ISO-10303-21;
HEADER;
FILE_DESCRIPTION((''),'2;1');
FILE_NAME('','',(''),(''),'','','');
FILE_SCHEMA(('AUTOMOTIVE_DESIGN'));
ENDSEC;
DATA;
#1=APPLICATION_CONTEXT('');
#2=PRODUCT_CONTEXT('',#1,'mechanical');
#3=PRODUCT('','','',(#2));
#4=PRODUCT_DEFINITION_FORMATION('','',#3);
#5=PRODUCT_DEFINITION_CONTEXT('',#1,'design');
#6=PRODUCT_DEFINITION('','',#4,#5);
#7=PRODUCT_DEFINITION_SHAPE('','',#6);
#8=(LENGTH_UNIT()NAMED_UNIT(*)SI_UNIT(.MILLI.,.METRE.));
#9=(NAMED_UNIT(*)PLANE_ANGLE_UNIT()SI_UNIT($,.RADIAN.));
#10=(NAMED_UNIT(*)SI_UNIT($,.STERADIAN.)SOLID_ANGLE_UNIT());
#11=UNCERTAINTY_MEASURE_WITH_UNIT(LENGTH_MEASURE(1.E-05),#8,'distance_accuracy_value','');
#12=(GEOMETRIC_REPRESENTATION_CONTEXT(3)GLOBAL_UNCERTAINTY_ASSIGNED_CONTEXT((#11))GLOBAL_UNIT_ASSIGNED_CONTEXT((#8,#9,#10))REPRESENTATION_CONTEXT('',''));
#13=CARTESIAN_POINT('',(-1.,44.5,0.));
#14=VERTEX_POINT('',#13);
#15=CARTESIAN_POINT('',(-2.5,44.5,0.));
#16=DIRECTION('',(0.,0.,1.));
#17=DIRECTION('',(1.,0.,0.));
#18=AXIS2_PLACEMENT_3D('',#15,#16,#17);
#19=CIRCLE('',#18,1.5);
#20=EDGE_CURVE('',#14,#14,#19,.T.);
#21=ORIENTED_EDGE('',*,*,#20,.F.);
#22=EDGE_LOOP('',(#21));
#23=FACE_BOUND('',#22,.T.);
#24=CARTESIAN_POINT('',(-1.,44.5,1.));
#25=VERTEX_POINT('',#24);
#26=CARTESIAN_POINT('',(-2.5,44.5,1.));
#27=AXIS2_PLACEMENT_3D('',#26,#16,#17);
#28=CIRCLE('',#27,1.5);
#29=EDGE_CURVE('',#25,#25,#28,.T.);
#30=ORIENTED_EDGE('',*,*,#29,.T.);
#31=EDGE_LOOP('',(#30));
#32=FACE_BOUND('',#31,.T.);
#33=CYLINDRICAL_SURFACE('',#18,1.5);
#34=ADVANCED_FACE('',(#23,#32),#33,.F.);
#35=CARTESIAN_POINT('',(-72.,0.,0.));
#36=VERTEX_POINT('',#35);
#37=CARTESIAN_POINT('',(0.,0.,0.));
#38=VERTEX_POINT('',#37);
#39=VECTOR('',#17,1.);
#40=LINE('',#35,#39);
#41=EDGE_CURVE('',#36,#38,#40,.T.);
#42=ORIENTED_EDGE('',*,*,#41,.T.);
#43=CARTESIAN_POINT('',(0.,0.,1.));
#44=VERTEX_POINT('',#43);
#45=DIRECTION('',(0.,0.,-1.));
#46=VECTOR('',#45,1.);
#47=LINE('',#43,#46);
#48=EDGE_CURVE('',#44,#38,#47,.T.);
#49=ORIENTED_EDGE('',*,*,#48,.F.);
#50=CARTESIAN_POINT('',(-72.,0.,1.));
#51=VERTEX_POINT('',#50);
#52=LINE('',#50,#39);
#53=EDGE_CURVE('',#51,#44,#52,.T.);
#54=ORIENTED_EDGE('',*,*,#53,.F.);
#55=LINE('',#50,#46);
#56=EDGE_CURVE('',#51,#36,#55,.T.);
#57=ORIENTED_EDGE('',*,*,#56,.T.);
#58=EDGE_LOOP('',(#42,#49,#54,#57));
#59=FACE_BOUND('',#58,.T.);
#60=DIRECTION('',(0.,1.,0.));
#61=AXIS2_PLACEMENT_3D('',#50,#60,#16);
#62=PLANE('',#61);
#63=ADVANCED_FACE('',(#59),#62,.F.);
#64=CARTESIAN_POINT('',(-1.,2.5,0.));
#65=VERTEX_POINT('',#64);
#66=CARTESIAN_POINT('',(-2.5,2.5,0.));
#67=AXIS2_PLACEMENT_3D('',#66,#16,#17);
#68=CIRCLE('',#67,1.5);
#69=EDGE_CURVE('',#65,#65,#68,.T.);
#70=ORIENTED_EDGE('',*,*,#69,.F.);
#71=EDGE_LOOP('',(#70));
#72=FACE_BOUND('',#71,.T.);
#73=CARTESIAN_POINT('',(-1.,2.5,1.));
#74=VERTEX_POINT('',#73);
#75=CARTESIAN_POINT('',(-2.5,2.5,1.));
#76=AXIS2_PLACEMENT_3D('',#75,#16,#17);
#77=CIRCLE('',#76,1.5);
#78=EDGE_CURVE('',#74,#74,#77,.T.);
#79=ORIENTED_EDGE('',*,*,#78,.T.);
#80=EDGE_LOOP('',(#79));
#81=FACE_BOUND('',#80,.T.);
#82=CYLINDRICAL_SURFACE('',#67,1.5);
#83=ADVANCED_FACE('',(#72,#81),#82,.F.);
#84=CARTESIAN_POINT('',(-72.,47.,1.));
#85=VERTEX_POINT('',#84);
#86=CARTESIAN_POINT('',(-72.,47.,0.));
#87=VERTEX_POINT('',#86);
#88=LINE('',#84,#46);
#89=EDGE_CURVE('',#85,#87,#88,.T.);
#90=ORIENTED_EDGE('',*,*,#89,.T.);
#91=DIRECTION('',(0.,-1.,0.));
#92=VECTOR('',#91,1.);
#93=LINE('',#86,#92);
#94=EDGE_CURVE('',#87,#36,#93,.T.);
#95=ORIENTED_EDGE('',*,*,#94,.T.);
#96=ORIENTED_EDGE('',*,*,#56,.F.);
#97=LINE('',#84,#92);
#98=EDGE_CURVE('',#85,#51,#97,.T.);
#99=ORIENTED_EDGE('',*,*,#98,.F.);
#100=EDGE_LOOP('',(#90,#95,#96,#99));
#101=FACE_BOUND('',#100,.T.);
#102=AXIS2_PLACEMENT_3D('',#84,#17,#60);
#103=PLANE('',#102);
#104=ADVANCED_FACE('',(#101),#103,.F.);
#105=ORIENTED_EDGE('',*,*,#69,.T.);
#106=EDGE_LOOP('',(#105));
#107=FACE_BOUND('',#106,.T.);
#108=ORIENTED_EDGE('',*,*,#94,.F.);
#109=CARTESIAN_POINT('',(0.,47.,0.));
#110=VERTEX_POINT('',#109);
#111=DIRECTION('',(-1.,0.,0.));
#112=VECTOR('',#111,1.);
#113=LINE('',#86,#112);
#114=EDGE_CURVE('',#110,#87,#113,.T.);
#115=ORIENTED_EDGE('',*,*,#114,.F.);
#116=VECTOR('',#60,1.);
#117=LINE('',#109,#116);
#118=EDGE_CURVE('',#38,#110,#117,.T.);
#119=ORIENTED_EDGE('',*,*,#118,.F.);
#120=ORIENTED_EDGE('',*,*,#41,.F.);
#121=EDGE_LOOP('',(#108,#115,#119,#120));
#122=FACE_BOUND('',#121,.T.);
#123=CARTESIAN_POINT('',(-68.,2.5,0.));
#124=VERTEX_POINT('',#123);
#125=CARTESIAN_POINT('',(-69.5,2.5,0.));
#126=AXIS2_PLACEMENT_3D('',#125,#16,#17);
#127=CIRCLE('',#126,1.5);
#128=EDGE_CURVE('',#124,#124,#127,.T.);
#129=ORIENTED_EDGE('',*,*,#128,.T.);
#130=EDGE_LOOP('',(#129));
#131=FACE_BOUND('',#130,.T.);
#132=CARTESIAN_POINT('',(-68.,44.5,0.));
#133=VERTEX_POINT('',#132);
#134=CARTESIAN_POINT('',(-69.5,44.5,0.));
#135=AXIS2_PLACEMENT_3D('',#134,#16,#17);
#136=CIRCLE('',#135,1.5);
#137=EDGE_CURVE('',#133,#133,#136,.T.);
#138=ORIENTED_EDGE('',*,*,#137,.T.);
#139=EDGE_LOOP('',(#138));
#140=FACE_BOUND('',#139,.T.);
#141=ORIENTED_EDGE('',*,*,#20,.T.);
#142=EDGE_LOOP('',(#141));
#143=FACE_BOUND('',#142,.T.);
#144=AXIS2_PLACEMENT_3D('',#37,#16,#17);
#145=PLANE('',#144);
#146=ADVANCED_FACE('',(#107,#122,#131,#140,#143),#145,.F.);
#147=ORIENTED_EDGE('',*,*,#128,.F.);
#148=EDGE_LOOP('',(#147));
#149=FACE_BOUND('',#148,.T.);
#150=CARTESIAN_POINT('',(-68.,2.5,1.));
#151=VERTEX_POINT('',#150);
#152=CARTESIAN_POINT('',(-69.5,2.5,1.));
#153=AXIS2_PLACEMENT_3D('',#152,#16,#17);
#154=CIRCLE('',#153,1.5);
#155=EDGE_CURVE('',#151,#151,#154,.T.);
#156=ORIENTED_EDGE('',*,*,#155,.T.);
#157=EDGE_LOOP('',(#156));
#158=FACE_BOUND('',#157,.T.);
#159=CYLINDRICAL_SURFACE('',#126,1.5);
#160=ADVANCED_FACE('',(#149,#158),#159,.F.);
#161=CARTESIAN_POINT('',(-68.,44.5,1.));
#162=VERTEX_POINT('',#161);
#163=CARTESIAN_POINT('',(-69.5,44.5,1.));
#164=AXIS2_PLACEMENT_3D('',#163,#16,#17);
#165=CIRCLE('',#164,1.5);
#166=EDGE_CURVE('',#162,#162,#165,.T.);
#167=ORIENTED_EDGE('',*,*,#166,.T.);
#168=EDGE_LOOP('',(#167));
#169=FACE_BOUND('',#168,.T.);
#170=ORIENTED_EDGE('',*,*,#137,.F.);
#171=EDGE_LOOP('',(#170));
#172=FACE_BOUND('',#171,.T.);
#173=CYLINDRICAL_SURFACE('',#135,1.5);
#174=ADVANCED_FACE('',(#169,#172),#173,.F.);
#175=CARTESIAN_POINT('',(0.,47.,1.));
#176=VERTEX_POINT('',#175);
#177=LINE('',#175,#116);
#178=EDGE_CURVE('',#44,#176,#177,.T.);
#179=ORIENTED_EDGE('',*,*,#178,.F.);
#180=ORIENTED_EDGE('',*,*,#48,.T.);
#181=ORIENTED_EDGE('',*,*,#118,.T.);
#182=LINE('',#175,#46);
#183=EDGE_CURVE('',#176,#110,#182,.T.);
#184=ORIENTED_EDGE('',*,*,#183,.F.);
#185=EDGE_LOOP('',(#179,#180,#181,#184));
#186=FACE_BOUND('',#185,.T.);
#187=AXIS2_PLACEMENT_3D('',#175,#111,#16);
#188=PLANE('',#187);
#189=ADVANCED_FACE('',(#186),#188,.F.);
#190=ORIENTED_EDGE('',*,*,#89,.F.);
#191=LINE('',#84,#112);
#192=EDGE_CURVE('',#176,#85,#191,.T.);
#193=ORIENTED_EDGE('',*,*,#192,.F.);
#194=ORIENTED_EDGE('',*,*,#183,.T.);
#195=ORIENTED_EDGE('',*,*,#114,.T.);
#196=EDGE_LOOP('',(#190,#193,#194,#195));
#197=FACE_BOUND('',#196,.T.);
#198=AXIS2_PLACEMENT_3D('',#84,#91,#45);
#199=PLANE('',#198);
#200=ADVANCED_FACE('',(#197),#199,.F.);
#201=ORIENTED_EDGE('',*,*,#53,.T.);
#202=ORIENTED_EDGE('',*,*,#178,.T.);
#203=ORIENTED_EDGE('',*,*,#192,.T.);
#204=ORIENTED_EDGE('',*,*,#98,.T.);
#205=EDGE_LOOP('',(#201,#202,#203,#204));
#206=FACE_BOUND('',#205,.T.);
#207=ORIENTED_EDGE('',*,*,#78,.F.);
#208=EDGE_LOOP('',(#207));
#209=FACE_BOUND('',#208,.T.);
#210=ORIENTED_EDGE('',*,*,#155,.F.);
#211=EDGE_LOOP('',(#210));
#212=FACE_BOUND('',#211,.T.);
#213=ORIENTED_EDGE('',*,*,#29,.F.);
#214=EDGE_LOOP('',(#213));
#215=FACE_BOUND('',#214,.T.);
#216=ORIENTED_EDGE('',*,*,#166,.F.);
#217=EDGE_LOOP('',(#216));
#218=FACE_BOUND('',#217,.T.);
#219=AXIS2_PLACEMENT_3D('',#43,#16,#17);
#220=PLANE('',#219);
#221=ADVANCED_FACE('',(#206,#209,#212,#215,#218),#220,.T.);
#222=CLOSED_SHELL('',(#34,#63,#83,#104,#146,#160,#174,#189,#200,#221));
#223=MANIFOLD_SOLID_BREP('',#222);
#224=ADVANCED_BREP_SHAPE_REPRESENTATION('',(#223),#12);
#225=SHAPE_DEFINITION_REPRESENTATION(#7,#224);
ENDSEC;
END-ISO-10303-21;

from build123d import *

# Parameters (mm, degrees)
SKETCH_1_W          = 72
SKETCH_1_H          = 47
EXTRUDE_1_DEPTH     = 1
SKETCH_2_R          = 1.5
CUT_EXTRUDE_1_DEPTH = 2


with BuildPart() as part:
    # ｽｹｯﾁ1 → ﾎﾞｽ - 押し出し1 (new body)
    with BuildSketch(Plane.XY):
        with Locations((-36, 23.5)):
            Rectangle(SKETCH_1_W, SKETCH_1_H)
    extrude(amount=EXTRUDE_1_DEPTH)

    # ｽｹｯﾁ2 → ｶｯﾄ - 押し出し1 (cut, through all)
    with BuildSketch(Plane.XY.offset(1)):
        with Locations((-69.5, 44.5)):
            Circle(SKETCH_2_R)
        with Locations((-69.5, 2.5)):
            Circle(SKETCH_2_R)
        with Locations((-2.5, 44.5)):
            Circle(SKETCH_2_R)
        with Locations((-2.5, 2.5)):
            Circle(SKETCH_2_R)
    extrude(amount=-CUT_EXTRUDE_1_DEPTH, mode=Mode.SUBTRACT)


solid = part.part
